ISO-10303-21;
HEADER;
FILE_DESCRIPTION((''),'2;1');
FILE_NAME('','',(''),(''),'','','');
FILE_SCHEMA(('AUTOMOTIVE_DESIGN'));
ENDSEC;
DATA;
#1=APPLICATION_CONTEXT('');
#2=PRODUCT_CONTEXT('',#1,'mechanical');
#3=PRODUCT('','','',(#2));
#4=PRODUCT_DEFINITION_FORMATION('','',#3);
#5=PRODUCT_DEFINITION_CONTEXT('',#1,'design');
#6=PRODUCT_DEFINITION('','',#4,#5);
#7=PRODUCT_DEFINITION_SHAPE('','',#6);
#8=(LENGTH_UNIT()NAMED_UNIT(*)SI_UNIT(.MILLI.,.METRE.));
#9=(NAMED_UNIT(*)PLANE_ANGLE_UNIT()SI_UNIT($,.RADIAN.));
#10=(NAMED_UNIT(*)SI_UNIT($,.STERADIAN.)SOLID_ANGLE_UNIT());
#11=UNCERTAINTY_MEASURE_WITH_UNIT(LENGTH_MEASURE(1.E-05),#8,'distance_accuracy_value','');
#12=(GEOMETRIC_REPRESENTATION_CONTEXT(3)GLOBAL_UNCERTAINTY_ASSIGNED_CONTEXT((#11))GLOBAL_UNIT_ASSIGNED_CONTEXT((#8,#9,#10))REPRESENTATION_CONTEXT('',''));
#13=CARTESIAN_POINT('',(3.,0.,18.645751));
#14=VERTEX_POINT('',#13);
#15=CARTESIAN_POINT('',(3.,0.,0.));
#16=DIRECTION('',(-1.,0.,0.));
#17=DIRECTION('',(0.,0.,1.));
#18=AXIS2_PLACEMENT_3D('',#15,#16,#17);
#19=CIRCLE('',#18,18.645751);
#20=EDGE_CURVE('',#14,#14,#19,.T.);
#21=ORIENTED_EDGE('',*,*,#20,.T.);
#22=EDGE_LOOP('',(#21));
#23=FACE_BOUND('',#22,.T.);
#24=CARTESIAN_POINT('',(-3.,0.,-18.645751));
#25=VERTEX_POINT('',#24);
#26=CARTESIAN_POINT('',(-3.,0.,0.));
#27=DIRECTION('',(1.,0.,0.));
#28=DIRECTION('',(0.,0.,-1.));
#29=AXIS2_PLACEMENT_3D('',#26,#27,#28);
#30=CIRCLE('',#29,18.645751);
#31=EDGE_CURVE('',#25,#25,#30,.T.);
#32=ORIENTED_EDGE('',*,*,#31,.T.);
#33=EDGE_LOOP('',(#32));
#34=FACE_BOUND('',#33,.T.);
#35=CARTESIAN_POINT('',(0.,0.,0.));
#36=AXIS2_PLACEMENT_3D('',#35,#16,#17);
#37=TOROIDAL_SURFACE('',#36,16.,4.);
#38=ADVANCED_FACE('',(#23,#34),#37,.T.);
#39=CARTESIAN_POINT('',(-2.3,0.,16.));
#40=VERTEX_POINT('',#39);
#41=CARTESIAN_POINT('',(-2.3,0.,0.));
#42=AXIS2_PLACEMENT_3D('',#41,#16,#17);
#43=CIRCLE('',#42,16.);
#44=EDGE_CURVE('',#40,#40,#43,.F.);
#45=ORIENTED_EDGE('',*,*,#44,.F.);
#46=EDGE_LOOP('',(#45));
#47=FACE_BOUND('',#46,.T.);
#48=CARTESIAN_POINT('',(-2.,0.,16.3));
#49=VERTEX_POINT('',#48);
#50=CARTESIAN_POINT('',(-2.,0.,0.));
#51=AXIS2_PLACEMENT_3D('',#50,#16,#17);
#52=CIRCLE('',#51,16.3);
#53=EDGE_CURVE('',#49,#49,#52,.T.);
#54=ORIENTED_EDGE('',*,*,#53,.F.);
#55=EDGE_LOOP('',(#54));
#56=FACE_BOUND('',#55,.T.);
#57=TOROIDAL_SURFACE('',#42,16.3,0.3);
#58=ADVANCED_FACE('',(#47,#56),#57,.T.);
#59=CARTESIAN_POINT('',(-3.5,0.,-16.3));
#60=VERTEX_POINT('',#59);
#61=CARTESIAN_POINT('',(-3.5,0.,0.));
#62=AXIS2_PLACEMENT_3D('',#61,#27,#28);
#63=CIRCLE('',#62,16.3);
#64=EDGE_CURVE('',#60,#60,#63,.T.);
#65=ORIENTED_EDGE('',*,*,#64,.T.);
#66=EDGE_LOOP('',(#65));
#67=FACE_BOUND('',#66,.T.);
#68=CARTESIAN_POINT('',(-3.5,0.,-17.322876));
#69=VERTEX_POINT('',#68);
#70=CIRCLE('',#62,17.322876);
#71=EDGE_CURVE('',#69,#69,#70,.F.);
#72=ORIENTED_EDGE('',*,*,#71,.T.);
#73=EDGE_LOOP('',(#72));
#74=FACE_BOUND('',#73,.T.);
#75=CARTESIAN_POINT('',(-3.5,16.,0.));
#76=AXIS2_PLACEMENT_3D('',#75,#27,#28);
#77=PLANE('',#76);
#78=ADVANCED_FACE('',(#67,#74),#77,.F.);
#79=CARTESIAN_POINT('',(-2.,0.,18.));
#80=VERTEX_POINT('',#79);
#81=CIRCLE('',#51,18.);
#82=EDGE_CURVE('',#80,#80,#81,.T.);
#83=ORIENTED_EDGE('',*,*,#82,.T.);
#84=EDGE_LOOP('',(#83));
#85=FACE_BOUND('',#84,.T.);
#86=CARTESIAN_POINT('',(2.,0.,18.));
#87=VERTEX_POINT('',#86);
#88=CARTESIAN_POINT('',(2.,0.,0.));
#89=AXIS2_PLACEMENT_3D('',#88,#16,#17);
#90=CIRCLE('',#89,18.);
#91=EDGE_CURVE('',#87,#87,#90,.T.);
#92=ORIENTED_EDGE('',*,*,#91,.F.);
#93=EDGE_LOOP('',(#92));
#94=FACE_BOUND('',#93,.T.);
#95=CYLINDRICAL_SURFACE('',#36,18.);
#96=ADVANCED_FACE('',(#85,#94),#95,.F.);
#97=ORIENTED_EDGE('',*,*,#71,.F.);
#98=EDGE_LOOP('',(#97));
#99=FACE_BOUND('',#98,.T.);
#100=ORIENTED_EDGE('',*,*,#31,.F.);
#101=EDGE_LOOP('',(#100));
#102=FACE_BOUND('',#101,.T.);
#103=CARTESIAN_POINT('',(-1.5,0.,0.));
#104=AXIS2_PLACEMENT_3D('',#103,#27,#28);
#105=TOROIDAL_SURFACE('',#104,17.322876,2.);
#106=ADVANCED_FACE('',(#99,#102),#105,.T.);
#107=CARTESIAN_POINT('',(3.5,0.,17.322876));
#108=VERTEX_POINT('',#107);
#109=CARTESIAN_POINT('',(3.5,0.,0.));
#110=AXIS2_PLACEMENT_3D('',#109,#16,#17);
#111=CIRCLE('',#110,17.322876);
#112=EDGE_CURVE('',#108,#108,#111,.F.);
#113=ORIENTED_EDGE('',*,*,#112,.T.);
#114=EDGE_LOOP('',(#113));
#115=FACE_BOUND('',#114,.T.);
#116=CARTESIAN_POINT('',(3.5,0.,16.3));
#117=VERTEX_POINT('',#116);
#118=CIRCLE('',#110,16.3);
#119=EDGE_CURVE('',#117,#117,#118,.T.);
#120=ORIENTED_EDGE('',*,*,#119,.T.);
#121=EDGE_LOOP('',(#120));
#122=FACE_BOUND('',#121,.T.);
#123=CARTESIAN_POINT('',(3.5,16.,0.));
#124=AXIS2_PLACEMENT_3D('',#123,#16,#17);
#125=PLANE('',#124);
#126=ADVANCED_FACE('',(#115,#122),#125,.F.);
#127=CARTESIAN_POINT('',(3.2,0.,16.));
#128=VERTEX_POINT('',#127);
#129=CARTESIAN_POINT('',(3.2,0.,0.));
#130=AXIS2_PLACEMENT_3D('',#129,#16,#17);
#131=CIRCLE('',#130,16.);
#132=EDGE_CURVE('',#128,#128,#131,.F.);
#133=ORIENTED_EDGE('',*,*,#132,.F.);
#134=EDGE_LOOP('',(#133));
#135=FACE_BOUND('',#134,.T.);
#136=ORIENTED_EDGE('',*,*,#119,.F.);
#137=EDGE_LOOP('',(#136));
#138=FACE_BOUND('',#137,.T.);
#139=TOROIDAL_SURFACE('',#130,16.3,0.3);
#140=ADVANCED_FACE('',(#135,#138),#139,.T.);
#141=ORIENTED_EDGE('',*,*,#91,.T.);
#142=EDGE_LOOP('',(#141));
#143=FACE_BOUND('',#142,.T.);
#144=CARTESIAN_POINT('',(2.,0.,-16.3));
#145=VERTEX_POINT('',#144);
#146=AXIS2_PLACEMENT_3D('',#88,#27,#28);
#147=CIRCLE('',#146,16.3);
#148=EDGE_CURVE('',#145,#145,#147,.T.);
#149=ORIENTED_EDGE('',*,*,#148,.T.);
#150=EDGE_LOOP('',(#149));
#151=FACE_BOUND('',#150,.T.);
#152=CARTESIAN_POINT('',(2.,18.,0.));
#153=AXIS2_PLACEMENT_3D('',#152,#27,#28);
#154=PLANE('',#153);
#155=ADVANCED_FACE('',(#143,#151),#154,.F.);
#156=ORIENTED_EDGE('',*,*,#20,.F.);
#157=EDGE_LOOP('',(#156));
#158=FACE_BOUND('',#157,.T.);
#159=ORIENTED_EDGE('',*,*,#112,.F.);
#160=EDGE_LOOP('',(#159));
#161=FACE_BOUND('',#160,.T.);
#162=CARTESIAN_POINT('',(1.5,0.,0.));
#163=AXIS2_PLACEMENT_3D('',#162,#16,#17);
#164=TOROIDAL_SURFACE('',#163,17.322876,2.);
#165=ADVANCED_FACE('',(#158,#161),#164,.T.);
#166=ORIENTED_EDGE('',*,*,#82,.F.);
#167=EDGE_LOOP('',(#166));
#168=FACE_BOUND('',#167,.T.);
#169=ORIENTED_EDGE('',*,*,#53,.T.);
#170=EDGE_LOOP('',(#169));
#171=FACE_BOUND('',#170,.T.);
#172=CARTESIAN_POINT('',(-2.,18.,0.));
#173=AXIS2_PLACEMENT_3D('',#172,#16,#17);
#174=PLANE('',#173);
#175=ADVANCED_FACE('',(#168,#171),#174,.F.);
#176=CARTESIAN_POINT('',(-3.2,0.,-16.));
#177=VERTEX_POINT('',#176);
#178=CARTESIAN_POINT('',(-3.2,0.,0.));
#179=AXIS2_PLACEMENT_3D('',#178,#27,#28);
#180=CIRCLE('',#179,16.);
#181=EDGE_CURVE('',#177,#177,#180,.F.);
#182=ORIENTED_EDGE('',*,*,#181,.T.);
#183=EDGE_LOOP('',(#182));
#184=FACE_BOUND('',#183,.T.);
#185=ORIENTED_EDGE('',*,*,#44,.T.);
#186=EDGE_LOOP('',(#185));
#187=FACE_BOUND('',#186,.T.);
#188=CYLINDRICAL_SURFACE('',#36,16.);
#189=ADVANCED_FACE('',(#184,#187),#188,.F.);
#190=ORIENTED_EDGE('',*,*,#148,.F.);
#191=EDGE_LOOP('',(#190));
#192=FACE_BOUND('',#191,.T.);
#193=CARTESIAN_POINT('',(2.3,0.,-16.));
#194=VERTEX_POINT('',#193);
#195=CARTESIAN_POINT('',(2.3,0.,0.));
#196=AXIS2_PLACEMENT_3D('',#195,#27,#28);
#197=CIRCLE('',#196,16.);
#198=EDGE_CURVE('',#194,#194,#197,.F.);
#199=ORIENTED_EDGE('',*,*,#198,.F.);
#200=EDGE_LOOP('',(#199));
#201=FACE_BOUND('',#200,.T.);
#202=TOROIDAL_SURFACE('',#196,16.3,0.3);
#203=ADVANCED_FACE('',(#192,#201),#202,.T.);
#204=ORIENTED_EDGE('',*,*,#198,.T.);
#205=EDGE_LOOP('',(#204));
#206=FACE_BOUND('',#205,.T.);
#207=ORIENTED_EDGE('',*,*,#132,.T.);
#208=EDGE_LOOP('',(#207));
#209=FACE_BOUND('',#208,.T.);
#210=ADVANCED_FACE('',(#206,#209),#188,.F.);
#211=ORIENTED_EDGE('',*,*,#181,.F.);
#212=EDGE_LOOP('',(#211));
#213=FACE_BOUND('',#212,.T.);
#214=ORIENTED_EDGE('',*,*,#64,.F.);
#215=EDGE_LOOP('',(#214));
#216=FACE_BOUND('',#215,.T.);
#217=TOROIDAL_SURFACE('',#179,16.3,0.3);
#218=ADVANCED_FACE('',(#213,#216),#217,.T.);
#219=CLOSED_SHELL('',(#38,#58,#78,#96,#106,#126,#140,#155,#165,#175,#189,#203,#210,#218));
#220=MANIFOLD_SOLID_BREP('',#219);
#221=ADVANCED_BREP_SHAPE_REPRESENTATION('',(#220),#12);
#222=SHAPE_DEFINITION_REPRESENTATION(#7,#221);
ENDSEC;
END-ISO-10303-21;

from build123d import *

# Parameters (mm, degrees)
VERRUNDUNG1_R = 2
VERRUNDUNG2_R = 0.3


with BuildPart() as part:
    # Skizze2 → Rotation1 (revolve)
    with BuildSketch(Plane.XY, mode=Mode.PRIVATE) as rotation1_sk:
        with BuildLine():
            Line((2, 18), (-2, 18))
            Line((-2, 18), (-2, 16))
            Line((-2, 16), (-3.5, 16))
            Line((-3.5, 16), (-3.5, 17.936491673))
            ThreePointArc((-3.5, 17.936491673), (0, 20), (3.5, 17.936491673))
            Line((3.5, 17.936491673), (3.5, 16))
            Line((3.5, 16), (2, 16))
            Line((2, 16), (2, 18))
        make_face()
    revolve(rotation1_sk.sketch.rotate(Axis((0, 0, 0), (1, 0, 0)), 90), axis=Axis((0, 0, 0), (1, 0, 0)))

    # Verrundung1
    verrundung1_edges = [part.edges().sort_by_distance(p)[0] for p in [
        (3.5, 0, -17.936491673),
        (-3.5, 0, -17.936491673),
    ]]
    fillet(verrundung1_edges, radius=VERRUNDUNG1_R)

    # Verrundung2
    verrundung2_edges = [part.edges().sort_by_distance(p)[0] for p in [
        (3.5, 0, -16),
        (-3.5, 0, -16),
        (-2, 0, -16),
        (2, 0, -16),
    ]]
    fillet(verrundung2_edges, radius=VERRUNDUNG2_R)


solid = part.part
